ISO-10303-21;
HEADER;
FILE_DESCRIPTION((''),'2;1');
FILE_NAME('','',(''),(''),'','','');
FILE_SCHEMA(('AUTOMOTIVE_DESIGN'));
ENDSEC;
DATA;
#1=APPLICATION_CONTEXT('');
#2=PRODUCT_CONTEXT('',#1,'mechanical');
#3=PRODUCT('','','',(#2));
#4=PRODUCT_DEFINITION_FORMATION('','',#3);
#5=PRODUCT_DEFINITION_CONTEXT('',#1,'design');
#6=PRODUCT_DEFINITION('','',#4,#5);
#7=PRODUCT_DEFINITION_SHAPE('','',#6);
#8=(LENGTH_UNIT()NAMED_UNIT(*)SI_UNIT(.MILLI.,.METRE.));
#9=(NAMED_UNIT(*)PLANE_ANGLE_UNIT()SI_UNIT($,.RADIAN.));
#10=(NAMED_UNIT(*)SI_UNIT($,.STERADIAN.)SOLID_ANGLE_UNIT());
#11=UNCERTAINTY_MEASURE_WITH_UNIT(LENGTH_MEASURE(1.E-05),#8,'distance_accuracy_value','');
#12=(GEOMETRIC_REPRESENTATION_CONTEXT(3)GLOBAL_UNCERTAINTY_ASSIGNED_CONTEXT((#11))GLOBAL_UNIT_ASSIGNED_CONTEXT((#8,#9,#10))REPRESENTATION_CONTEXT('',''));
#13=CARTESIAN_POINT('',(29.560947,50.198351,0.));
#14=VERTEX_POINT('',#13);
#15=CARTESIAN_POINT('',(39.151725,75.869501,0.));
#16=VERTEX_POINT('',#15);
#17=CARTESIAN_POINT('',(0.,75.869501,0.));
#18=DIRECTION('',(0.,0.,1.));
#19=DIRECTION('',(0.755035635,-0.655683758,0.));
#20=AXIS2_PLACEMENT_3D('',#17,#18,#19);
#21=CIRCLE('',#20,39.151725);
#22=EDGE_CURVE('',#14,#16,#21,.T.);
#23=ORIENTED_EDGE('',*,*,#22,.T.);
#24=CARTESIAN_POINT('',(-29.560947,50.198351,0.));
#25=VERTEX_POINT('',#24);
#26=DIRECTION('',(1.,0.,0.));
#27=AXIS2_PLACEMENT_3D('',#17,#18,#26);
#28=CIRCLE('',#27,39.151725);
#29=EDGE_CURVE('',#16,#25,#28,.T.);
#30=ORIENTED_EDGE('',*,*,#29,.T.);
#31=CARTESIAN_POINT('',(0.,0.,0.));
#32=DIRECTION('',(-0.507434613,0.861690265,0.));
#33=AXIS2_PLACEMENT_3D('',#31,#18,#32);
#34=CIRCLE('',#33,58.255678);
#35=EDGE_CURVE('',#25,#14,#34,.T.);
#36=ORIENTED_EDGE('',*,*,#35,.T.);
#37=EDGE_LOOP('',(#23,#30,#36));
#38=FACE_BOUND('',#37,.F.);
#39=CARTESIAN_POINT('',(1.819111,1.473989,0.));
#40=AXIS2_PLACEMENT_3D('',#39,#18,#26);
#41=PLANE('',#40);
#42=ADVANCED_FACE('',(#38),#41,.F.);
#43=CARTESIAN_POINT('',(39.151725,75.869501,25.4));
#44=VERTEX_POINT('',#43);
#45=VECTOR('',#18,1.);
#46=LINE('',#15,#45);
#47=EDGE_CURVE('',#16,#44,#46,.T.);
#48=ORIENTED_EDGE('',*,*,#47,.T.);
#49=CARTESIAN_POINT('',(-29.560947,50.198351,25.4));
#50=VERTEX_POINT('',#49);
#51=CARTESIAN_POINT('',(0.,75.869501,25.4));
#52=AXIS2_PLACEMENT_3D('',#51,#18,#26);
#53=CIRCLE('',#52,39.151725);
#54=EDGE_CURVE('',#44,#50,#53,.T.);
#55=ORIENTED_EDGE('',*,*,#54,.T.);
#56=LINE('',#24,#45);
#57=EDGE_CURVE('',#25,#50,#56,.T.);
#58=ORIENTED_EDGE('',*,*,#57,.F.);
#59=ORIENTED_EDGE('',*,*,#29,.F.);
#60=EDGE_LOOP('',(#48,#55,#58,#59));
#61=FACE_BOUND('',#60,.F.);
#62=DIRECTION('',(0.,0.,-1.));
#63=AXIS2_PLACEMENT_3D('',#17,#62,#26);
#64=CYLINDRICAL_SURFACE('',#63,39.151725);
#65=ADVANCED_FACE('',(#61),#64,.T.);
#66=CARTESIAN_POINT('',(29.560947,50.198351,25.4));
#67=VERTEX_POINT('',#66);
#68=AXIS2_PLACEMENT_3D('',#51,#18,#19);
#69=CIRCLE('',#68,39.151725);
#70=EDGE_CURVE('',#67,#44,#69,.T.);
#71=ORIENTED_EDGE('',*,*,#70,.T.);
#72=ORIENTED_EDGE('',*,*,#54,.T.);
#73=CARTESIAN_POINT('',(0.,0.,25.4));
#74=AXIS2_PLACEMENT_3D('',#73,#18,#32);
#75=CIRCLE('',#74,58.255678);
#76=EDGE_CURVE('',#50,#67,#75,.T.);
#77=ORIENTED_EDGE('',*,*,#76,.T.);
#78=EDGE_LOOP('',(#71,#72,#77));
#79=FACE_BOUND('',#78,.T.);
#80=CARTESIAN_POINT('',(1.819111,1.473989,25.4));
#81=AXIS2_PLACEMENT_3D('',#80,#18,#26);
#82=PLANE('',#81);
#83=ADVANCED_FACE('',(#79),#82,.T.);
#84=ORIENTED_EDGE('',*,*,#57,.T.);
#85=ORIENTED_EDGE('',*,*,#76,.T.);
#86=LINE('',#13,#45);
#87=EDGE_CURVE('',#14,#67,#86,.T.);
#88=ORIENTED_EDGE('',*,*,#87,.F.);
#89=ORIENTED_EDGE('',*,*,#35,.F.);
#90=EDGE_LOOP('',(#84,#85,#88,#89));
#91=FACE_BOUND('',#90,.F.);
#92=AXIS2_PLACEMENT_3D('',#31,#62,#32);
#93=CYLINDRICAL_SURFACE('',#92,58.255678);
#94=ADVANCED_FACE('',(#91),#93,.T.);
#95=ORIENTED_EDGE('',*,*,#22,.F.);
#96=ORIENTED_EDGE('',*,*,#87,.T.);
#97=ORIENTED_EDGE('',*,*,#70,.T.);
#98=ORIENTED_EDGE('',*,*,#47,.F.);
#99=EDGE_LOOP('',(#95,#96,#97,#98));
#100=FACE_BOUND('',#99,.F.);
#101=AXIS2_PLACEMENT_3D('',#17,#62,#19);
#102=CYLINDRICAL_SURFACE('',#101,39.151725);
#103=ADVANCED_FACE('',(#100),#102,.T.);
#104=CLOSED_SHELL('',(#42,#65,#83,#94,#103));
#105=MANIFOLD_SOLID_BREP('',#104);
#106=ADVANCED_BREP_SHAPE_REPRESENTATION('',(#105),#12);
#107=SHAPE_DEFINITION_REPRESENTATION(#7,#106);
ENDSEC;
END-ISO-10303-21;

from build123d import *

# Parameters (mm, degrees)
F1_DEPTH = 25.4


with BuildPart() as f1:
    # F0 (on Top) → F1 (new body)
    with BuildSketch(Plane.XY):
        with BuildLine():
            ThreePointArc((-29.5609473813, 50.1983505863), (-28.9104737212, -50.5757700968), (58.255677935, 0))
            ThreePointArc((58.255677935, 0), (50.5757700968, 28.9104737212), (29.5609473813, 50.1983505863))
            ThreePointArc((29.5609473813, 50.1983505863), (0, 36.7177758345), (-29.5609473813, 50.1983505863))
        make_face()
        with BuildLine():
            ThreePointArc((-29.5609473813, 50.1983505863), (0, 36.7177758345), (29.5609473813, 50.1983505863))
            ThreePointArc((29.5609473813, 50.1983505863), (0, 58.255677935), (-29.5609473813, 50.1983505863))
        make_face()
        with BuildLine():
            ThreePointArc((-29.5609473813, 50.1983505863), (0, 58.255677935), (29.5609473813, 50.1983505863))
            ThreePointArc((29.5609473813, 50.1983505863), (36.6757387914, 62.167393532), (39.1517248025, 75.8695006371))
            ThreePointArc((39.1517248025, 75.8695006371), (-13.7021071051, 112.5452394285), (-29.5609473813, 50.1983505863))
        make_face()
    extrude(amount=F1_DEPTH)


solid = f1.part
